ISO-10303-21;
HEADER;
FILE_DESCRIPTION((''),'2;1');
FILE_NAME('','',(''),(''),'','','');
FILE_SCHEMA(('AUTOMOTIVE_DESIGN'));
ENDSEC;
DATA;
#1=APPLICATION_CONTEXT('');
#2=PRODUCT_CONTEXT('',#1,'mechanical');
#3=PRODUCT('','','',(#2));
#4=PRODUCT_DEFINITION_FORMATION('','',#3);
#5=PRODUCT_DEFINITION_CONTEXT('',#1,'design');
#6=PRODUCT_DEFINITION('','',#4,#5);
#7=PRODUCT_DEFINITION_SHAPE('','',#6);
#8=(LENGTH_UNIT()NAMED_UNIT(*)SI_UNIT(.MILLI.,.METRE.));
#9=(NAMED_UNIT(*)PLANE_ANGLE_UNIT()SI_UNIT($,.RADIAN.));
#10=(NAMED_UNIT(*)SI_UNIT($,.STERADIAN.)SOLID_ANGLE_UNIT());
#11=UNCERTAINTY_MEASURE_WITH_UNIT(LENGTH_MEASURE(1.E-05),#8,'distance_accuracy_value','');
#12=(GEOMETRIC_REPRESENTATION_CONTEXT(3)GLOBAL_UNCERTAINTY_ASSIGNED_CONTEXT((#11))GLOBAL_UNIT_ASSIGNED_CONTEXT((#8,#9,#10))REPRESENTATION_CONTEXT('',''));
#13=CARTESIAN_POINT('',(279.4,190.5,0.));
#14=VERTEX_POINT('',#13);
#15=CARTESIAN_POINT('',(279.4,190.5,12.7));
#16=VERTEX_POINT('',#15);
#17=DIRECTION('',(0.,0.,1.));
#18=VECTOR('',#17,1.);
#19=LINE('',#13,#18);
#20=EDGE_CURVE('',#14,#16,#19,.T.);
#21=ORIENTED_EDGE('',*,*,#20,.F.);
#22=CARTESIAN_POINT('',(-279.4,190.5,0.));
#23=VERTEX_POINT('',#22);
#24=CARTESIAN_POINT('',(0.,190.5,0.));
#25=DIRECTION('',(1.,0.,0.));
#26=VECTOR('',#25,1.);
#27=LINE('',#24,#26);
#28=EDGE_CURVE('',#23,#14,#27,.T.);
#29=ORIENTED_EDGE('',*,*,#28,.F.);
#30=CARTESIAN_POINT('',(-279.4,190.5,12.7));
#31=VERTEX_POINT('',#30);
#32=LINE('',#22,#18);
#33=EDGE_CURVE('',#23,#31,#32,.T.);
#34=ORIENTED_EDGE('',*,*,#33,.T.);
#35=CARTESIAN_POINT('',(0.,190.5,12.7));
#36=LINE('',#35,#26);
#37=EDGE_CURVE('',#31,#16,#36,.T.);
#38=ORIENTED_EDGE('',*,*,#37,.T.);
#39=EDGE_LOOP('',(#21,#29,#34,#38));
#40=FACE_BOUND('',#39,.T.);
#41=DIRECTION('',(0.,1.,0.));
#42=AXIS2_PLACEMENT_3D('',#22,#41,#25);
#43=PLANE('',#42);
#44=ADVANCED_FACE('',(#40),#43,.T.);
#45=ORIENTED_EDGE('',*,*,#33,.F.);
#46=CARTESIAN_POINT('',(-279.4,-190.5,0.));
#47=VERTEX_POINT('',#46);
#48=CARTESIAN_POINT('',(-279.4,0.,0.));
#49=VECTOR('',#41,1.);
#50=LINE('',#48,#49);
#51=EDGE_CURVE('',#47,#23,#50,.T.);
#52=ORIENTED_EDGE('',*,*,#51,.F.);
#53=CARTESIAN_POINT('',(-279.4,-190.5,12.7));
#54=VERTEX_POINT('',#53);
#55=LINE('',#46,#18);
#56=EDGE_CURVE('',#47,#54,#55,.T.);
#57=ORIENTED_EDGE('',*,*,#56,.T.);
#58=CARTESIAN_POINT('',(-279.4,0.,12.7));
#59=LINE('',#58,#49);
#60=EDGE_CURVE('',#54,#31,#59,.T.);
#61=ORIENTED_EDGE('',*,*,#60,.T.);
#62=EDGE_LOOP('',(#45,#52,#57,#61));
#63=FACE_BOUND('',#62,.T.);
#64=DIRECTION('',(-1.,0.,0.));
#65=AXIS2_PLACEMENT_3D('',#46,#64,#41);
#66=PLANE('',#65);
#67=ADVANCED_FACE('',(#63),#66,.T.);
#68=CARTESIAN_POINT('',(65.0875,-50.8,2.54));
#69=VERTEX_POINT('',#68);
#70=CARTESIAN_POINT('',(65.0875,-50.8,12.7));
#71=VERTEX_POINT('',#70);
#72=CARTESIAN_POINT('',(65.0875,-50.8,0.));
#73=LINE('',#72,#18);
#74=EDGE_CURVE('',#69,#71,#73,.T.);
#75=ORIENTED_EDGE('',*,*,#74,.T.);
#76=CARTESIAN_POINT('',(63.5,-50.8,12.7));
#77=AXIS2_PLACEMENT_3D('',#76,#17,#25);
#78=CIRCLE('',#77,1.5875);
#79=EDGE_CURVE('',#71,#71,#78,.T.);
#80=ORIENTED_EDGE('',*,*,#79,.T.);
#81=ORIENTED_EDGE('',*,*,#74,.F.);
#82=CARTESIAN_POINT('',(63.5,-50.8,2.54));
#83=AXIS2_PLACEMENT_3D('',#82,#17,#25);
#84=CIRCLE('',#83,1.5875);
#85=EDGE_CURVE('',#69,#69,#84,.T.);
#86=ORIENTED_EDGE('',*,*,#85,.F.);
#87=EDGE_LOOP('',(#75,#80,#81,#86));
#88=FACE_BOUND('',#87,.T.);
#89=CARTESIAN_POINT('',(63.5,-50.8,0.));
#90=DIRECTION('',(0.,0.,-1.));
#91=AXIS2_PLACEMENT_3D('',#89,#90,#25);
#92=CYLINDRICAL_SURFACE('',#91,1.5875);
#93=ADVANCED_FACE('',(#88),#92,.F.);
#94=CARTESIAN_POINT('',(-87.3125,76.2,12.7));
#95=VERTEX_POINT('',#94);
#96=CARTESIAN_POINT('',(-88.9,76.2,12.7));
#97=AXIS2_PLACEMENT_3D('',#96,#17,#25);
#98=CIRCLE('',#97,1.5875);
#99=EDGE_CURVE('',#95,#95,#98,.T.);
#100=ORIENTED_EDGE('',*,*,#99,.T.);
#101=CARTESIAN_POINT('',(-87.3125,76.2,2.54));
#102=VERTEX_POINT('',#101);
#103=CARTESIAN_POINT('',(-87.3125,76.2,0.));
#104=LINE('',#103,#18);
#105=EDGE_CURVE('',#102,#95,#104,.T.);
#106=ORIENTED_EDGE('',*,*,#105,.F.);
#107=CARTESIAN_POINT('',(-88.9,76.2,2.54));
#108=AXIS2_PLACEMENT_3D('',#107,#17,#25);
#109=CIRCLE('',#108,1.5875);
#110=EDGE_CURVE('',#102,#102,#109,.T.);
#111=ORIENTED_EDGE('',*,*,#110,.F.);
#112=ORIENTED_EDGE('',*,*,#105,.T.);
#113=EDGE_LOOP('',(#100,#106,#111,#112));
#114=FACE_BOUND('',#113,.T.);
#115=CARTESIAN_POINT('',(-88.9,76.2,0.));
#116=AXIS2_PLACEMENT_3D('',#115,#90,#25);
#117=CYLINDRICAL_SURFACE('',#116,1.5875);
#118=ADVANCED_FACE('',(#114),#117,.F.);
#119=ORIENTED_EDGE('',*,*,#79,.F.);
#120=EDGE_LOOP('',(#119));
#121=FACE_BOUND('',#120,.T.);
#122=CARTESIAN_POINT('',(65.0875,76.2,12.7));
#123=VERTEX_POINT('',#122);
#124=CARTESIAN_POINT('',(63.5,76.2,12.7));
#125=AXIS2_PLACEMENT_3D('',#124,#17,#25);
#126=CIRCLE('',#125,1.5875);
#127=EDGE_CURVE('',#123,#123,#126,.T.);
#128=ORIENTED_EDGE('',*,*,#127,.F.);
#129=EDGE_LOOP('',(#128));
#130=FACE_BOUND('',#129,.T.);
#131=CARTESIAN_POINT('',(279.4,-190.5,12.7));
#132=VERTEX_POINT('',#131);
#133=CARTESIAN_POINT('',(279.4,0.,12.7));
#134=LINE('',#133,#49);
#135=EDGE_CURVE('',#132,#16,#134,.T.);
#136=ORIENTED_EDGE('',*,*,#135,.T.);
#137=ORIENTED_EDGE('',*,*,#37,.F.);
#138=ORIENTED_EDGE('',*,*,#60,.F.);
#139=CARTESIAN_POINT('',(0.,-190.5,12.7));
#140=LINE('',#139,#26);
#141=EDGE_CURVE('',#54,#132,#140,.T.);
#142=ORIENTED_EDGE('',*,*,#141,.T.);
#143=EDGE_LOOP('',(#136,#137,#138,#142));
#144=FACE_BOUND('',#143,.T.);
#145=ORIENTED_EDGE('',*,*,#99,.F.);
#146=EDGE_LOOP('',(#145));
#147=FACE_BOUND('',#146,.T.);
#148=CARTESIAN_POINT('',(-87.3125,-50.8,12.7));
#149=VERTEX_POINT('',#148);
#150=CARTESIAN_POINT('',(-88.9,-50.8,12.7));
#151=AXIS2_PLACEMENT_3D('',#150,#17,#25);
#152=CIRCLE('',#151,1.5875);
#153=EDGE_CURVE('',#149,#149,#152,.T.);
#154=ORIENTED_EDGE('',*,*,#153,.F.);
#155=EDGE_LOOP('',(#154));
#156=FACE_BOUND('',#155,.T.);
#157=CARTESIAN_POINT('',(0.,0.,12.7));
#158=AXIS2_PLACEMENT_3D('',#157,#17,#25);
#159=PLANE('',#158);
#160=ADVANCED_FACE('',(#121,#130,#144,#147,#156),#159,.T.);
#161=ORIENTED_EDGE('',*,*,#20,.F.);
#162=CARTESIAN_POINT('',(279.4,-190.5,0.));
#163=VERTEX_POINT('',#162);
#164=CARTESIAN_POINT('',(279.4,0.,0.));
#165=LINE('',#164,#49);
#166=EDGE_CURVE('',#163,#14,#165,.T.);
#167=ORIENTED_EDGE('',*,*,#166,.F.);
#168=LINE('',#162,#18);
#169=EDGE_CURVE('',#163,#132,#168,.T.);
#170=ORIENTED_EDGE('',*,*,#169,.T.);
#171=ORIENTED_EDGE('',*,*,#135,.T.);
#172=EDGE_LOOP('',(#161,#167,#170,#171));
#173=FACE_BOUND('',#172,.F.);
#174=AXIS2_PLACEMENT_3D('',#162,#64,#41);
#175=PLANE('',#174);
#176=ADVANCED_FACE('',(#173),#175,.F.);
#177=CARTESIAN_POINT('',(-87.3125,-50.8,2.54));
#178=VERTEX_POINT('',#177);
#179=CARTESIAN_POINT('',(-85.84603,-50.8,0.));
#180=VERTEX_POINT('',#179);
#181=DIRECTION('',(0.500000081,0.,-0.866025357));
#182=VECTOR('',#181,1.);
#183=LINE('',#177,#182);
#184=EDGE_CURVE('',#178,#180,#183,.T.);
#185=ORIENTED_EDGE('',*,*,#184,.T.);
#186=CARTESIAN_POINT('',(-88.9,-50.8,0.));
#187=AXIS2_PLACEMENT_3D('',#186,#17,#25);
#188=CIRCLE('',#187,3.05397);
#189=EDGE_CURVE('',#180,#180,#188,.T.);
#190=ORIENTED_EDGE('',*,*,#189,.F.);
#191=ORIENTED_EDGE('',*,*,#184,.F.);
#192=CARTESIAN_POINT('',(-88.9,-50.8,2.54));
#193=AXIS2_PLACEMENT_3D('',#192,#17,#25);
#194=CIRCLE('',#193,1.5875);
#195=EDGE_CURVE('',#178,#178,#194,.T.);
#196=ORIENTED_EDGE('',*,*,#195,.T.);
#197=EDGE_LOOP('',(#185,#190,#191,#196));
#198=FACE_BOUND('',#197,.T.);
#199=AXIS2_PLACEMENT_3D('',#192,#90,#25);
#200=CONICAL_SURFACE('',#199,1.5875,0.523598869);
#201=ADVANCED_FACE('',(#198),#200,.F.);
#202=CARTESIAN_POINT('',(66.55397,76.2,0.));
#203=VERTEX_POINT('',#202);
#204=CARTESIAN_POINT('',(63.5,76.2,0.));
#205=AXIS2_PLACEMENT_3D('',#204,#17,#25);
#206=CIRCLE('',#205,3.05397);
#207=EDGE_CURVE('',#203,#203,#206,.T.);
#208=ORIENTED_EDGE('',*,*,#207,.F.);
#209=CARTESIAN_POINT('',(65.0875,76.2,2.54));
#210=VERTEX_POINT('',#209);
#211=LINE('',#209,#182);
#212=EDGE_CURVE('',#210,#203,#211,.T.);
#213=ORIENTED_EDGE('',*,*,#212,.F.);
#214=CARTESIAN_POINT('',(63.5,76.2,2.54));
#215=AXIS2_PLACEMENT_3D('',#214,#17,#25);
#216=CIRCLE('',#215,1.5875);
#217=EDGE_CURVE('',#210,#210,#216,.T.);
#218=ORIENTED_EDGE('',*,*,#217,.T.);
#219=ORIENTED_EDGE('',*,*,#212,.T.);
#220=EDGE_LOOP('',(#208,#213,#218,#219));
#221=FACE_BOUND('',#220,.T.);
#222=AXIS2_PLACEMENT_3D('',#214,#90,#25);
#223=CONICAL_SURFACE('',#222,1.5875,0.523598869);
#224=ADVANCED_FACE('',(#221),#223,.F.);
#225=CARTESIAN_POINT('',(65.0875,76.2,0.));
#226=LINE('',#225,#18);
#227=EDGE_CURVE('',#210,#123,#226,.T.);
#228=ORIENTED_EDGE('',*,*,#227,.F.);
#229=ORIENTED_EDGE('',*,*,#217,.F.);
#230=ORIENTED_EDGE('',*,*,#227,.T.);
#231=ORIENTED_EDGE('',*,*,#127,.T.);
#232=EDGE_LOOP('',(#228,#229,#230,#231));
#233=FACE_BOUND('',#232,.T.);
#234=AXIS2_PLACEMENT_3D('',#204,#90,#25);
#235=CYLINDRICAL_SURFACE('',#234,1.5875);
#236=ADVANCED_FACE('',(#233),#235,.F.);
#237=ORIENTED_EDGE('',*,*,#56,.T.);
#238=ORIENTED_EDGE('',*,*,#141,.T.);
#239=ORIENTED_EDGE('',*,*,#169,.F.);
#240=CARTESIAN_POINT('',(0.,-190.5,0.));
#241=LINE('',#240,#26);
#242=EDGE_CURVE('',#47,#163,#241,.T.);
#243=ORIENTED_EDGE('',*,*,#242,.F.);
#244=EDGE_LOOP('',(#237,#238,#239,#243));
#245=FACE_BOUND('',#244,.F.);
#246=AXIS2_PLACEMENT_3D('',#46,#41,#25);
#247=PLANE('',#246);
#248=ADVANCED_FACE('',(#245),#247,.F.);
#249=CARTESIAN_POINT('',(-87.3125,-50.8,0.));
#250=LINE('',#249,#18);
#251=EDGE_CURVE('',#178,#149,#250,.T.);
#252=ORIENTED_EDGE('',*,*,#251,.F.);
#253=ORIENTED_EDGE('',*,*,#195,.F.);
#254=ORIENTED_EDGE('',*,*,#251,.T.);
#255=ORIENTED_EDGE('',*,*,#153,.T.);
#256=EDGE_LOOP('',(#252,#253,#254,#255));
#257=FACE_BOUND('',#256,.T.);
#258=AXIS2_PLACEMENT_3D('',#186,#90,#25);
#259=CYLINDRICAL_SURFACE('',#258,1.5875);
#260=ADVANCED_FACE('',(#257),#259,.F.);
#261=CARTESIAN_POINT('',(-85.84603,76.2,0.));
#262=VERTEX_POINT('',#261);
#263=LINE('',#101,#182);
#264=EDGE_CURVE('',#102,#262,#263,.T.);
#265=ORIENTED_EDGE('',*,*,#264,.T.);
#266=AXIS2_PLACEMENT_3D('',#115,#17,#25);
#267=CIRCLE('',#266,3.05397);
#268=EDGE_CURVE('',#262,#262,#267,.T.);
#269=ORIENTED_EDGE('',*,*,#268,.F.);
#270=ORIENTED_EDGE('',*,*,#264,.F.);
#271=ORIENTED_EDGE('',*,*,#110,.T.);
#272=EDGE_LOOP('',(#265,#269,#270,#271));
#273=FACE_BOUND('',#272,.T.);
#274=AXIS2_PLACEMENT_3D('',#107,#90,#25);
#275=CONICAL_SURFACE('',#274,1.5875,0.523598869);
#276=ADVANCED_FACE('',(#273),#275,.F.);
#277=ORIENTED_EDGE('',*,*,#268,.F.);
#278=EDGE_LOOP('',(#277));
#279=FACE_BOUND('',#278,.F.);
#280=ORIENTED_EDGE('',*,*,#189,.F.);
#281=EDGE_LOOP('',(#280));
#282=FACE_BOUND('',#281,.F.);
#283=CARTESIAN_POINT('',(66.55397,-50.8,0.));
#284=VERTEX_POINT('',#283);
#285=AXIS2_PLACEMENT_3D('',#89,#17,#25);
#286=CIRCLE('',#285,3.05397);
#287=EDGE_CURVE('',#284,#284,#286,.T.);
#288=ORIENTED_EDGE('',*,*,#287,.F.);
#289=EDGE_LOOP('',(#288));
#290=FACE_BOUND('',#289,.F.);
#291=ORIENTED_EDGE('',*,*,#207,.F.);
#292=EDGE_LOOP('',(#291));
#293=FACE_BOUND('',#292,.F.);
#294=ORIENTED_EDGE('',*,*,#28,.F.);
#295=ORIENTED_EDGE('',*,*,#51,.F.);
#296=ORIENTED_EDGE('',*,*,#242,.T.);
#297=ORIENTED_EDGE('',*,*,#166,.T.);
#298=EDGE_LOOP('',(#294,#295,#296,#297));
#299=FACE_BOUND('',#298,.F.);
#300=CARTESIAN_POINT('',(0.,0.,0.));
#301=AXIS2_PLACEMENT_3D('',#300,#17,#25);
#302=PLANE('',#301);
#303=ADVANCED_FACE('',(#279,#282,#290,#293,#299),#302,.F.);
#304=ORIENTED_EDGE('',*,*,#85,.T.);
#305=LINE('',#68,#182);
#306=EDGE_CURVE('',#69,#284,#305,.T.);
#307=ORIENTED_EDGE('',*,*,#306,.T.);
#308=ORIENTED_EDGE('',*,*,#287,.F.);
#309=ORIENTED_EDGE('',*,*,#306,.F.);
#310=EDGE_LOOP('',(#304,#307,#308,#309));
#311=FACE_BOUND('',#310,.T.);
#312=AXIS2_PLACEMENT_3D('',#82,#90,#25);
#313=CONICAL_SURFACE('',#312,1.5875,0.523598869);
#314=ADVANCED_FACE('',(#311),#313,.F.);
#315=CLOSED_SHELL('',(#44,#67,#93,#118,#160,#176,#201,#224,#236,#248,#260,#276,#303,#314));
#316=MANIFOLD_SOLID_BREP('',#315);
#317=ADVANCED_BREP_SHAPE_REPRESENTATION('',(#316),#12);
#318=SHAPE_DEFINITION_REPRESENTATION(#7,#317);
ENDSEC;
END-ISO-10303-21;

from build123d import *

# Parameters (mm, degrees)
F0_W     = 558.8
F0_H     = 381
F0_R     = 1.5875
F1_DEPTH = 12.7
F2_SIZE2 = 1.46647
F2_SIZE  = 2.54


with BuildPart() as f1:
    # F0 (on Top) → F1 (new body)
    with BuildSketch(Plane.XY):
        Rectangle(F0_W, F0_H)
        with Locations((-88.9, -50.8)):
            Circle(F0_R, mode=Mode.SUBTRACT)
        with Locations((63.5, -50.8)):
            Circle(F0_R, mode=Mode.SUBTRACT)
        with Locations((-88.9, 76.2)):
            Circle(F0_R, mode=Mode.SUBTRACT)
        with Locations((63.5, 76.2)):
            Circle(F0_R, mode=Mode.SUBTRACT)
    extrude(amount=F1_DEPTH)

    # F2
    f2_edges = [f1.edges().sort_by_distance(p)[0] for p in [
        (-90.4875, -50.8, 0),
        (61.9125, -50.8, 0),
        (-90.4875, 76.2, 0),
        (61.9125, 76.2, 0),
    ]]
    chamfer(f2_edges, length=F2_SIZE, length2=F2_SIZE2)


solid = f1.part
